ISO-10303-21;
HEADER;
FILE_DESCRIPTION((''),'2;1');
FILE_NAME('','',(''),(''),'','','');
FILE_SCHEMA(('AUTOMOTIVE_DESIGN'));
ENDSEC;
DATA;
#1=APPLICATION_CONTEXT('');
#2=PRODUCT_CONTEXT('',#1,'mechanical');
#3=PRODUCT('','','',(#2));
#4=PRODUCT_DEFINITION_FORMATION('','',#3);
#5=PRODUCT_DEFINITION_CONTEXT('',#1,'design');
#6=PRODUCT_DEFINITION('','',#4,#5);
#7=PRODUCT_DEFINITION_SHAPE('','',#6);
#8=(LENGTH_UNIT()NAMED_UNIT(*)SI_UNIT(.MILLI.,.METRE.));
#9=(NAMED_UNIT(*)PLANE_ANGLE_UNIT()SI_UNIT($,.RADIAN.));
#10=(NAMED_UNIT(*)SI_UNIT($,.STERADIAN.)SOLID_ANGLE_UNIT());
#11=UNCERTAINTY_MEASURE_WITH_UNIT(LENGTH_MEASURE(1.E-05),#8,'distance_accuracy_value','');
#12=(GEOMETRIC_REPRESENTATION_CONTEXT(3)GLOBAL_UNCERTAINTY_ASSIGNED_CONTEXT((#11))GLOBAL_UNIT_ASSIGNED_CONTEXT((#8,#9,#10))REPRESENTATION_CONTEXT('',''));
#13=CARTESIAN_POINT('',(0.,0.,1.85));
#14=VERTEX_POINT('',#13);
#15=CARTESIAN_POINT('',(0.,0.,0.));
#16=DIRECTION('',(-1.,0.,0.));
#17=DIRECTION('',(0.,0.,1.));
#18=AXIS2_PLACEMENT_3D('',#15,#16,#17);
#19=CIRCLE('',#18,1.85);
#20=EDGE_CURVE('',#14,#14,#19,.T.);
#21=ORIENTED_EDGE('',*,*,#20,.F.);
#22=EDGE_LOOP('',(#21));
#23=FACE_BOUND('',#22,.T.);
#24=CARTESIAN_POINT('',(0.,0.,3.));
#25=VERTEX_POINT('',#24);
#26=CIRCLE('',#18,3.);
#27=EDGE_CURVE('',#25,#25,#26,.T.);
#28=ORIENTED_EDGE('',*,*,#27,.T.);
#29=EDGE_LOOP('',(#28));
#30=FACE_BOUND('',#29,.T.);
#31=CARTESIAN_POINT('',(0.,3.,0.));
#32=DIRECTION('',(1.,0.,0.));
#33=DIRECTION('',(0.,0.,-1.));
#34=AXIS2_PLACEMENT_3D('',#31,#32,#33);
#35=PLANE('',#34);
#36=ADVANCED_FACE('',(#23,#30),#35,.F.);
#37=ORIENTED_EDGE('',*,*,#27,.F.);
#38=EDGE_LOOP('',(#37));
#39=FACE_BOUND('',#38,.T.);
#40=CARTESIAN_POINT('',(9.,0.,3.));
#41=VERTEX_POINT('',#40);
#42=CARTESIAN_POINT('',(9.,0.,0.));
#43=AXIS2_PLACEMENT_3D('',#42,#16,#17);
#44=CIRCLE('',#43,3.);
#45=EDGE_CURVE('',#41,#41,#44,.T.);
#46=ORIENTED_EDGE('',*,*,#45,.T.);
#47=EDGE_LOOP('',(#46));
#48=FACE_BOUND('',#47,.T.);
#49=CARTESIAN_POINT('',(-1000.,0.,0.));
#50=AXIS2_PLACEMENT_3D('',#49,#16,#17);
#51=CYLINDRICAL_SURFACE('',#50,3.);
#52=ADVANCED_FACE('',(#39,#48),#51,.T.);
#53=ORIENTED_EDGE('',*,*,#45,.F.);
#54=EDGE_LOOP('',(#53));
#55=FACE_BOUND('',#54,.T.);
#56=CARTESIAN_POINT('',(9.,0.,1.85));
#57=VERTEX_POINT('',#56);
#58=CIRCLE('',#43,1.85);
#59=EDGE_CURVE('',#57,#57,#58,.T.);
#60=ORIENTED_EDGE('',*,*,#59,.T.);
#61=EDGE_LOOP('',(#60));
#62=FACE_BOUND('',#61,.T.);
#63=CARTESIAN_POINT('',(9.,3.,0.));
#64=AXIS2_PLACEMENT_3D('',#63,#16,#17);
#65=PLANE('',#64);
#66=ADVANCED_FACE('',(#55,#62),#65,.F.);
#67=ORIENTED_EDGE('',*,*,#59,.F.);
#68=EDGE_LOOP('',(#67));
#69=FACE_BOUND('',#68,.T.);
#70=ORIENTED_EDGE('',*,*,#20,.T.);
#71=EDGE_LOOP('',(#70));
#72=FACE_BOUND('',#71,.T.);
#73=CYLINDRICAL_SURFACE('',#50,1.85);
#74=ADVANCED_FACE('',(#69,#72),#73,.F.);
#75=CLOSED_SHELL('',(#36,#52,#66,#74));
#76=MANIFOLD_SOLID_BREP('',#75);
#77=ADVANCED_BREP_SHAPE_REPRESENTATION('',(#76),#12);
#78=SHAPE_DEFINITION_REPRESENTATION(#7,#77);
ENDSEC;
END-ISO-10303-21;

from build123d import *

# Parameters (mm, degrees)
SKETCH1_W = 9
SKETCH1_H = 1.15


with BuildPart() as part:
    # Sketch1 → Revolve1 (revolve)
    with BuildSketch(Plane.XY, mode=Mode.PRIVATE) as revolve1_sk:
        with Locations((4.5, 2.425)):
            Rectangle(SKETCH1_W, SKETCH1_H)
    revolve(revolve1_sk.sketch.rotate(Axis((-1000, 0, 0), (1, 0, 0)), 90), axis=Axis((-1000, 0, 0), (1, 0, 0)))


solid = part.part
